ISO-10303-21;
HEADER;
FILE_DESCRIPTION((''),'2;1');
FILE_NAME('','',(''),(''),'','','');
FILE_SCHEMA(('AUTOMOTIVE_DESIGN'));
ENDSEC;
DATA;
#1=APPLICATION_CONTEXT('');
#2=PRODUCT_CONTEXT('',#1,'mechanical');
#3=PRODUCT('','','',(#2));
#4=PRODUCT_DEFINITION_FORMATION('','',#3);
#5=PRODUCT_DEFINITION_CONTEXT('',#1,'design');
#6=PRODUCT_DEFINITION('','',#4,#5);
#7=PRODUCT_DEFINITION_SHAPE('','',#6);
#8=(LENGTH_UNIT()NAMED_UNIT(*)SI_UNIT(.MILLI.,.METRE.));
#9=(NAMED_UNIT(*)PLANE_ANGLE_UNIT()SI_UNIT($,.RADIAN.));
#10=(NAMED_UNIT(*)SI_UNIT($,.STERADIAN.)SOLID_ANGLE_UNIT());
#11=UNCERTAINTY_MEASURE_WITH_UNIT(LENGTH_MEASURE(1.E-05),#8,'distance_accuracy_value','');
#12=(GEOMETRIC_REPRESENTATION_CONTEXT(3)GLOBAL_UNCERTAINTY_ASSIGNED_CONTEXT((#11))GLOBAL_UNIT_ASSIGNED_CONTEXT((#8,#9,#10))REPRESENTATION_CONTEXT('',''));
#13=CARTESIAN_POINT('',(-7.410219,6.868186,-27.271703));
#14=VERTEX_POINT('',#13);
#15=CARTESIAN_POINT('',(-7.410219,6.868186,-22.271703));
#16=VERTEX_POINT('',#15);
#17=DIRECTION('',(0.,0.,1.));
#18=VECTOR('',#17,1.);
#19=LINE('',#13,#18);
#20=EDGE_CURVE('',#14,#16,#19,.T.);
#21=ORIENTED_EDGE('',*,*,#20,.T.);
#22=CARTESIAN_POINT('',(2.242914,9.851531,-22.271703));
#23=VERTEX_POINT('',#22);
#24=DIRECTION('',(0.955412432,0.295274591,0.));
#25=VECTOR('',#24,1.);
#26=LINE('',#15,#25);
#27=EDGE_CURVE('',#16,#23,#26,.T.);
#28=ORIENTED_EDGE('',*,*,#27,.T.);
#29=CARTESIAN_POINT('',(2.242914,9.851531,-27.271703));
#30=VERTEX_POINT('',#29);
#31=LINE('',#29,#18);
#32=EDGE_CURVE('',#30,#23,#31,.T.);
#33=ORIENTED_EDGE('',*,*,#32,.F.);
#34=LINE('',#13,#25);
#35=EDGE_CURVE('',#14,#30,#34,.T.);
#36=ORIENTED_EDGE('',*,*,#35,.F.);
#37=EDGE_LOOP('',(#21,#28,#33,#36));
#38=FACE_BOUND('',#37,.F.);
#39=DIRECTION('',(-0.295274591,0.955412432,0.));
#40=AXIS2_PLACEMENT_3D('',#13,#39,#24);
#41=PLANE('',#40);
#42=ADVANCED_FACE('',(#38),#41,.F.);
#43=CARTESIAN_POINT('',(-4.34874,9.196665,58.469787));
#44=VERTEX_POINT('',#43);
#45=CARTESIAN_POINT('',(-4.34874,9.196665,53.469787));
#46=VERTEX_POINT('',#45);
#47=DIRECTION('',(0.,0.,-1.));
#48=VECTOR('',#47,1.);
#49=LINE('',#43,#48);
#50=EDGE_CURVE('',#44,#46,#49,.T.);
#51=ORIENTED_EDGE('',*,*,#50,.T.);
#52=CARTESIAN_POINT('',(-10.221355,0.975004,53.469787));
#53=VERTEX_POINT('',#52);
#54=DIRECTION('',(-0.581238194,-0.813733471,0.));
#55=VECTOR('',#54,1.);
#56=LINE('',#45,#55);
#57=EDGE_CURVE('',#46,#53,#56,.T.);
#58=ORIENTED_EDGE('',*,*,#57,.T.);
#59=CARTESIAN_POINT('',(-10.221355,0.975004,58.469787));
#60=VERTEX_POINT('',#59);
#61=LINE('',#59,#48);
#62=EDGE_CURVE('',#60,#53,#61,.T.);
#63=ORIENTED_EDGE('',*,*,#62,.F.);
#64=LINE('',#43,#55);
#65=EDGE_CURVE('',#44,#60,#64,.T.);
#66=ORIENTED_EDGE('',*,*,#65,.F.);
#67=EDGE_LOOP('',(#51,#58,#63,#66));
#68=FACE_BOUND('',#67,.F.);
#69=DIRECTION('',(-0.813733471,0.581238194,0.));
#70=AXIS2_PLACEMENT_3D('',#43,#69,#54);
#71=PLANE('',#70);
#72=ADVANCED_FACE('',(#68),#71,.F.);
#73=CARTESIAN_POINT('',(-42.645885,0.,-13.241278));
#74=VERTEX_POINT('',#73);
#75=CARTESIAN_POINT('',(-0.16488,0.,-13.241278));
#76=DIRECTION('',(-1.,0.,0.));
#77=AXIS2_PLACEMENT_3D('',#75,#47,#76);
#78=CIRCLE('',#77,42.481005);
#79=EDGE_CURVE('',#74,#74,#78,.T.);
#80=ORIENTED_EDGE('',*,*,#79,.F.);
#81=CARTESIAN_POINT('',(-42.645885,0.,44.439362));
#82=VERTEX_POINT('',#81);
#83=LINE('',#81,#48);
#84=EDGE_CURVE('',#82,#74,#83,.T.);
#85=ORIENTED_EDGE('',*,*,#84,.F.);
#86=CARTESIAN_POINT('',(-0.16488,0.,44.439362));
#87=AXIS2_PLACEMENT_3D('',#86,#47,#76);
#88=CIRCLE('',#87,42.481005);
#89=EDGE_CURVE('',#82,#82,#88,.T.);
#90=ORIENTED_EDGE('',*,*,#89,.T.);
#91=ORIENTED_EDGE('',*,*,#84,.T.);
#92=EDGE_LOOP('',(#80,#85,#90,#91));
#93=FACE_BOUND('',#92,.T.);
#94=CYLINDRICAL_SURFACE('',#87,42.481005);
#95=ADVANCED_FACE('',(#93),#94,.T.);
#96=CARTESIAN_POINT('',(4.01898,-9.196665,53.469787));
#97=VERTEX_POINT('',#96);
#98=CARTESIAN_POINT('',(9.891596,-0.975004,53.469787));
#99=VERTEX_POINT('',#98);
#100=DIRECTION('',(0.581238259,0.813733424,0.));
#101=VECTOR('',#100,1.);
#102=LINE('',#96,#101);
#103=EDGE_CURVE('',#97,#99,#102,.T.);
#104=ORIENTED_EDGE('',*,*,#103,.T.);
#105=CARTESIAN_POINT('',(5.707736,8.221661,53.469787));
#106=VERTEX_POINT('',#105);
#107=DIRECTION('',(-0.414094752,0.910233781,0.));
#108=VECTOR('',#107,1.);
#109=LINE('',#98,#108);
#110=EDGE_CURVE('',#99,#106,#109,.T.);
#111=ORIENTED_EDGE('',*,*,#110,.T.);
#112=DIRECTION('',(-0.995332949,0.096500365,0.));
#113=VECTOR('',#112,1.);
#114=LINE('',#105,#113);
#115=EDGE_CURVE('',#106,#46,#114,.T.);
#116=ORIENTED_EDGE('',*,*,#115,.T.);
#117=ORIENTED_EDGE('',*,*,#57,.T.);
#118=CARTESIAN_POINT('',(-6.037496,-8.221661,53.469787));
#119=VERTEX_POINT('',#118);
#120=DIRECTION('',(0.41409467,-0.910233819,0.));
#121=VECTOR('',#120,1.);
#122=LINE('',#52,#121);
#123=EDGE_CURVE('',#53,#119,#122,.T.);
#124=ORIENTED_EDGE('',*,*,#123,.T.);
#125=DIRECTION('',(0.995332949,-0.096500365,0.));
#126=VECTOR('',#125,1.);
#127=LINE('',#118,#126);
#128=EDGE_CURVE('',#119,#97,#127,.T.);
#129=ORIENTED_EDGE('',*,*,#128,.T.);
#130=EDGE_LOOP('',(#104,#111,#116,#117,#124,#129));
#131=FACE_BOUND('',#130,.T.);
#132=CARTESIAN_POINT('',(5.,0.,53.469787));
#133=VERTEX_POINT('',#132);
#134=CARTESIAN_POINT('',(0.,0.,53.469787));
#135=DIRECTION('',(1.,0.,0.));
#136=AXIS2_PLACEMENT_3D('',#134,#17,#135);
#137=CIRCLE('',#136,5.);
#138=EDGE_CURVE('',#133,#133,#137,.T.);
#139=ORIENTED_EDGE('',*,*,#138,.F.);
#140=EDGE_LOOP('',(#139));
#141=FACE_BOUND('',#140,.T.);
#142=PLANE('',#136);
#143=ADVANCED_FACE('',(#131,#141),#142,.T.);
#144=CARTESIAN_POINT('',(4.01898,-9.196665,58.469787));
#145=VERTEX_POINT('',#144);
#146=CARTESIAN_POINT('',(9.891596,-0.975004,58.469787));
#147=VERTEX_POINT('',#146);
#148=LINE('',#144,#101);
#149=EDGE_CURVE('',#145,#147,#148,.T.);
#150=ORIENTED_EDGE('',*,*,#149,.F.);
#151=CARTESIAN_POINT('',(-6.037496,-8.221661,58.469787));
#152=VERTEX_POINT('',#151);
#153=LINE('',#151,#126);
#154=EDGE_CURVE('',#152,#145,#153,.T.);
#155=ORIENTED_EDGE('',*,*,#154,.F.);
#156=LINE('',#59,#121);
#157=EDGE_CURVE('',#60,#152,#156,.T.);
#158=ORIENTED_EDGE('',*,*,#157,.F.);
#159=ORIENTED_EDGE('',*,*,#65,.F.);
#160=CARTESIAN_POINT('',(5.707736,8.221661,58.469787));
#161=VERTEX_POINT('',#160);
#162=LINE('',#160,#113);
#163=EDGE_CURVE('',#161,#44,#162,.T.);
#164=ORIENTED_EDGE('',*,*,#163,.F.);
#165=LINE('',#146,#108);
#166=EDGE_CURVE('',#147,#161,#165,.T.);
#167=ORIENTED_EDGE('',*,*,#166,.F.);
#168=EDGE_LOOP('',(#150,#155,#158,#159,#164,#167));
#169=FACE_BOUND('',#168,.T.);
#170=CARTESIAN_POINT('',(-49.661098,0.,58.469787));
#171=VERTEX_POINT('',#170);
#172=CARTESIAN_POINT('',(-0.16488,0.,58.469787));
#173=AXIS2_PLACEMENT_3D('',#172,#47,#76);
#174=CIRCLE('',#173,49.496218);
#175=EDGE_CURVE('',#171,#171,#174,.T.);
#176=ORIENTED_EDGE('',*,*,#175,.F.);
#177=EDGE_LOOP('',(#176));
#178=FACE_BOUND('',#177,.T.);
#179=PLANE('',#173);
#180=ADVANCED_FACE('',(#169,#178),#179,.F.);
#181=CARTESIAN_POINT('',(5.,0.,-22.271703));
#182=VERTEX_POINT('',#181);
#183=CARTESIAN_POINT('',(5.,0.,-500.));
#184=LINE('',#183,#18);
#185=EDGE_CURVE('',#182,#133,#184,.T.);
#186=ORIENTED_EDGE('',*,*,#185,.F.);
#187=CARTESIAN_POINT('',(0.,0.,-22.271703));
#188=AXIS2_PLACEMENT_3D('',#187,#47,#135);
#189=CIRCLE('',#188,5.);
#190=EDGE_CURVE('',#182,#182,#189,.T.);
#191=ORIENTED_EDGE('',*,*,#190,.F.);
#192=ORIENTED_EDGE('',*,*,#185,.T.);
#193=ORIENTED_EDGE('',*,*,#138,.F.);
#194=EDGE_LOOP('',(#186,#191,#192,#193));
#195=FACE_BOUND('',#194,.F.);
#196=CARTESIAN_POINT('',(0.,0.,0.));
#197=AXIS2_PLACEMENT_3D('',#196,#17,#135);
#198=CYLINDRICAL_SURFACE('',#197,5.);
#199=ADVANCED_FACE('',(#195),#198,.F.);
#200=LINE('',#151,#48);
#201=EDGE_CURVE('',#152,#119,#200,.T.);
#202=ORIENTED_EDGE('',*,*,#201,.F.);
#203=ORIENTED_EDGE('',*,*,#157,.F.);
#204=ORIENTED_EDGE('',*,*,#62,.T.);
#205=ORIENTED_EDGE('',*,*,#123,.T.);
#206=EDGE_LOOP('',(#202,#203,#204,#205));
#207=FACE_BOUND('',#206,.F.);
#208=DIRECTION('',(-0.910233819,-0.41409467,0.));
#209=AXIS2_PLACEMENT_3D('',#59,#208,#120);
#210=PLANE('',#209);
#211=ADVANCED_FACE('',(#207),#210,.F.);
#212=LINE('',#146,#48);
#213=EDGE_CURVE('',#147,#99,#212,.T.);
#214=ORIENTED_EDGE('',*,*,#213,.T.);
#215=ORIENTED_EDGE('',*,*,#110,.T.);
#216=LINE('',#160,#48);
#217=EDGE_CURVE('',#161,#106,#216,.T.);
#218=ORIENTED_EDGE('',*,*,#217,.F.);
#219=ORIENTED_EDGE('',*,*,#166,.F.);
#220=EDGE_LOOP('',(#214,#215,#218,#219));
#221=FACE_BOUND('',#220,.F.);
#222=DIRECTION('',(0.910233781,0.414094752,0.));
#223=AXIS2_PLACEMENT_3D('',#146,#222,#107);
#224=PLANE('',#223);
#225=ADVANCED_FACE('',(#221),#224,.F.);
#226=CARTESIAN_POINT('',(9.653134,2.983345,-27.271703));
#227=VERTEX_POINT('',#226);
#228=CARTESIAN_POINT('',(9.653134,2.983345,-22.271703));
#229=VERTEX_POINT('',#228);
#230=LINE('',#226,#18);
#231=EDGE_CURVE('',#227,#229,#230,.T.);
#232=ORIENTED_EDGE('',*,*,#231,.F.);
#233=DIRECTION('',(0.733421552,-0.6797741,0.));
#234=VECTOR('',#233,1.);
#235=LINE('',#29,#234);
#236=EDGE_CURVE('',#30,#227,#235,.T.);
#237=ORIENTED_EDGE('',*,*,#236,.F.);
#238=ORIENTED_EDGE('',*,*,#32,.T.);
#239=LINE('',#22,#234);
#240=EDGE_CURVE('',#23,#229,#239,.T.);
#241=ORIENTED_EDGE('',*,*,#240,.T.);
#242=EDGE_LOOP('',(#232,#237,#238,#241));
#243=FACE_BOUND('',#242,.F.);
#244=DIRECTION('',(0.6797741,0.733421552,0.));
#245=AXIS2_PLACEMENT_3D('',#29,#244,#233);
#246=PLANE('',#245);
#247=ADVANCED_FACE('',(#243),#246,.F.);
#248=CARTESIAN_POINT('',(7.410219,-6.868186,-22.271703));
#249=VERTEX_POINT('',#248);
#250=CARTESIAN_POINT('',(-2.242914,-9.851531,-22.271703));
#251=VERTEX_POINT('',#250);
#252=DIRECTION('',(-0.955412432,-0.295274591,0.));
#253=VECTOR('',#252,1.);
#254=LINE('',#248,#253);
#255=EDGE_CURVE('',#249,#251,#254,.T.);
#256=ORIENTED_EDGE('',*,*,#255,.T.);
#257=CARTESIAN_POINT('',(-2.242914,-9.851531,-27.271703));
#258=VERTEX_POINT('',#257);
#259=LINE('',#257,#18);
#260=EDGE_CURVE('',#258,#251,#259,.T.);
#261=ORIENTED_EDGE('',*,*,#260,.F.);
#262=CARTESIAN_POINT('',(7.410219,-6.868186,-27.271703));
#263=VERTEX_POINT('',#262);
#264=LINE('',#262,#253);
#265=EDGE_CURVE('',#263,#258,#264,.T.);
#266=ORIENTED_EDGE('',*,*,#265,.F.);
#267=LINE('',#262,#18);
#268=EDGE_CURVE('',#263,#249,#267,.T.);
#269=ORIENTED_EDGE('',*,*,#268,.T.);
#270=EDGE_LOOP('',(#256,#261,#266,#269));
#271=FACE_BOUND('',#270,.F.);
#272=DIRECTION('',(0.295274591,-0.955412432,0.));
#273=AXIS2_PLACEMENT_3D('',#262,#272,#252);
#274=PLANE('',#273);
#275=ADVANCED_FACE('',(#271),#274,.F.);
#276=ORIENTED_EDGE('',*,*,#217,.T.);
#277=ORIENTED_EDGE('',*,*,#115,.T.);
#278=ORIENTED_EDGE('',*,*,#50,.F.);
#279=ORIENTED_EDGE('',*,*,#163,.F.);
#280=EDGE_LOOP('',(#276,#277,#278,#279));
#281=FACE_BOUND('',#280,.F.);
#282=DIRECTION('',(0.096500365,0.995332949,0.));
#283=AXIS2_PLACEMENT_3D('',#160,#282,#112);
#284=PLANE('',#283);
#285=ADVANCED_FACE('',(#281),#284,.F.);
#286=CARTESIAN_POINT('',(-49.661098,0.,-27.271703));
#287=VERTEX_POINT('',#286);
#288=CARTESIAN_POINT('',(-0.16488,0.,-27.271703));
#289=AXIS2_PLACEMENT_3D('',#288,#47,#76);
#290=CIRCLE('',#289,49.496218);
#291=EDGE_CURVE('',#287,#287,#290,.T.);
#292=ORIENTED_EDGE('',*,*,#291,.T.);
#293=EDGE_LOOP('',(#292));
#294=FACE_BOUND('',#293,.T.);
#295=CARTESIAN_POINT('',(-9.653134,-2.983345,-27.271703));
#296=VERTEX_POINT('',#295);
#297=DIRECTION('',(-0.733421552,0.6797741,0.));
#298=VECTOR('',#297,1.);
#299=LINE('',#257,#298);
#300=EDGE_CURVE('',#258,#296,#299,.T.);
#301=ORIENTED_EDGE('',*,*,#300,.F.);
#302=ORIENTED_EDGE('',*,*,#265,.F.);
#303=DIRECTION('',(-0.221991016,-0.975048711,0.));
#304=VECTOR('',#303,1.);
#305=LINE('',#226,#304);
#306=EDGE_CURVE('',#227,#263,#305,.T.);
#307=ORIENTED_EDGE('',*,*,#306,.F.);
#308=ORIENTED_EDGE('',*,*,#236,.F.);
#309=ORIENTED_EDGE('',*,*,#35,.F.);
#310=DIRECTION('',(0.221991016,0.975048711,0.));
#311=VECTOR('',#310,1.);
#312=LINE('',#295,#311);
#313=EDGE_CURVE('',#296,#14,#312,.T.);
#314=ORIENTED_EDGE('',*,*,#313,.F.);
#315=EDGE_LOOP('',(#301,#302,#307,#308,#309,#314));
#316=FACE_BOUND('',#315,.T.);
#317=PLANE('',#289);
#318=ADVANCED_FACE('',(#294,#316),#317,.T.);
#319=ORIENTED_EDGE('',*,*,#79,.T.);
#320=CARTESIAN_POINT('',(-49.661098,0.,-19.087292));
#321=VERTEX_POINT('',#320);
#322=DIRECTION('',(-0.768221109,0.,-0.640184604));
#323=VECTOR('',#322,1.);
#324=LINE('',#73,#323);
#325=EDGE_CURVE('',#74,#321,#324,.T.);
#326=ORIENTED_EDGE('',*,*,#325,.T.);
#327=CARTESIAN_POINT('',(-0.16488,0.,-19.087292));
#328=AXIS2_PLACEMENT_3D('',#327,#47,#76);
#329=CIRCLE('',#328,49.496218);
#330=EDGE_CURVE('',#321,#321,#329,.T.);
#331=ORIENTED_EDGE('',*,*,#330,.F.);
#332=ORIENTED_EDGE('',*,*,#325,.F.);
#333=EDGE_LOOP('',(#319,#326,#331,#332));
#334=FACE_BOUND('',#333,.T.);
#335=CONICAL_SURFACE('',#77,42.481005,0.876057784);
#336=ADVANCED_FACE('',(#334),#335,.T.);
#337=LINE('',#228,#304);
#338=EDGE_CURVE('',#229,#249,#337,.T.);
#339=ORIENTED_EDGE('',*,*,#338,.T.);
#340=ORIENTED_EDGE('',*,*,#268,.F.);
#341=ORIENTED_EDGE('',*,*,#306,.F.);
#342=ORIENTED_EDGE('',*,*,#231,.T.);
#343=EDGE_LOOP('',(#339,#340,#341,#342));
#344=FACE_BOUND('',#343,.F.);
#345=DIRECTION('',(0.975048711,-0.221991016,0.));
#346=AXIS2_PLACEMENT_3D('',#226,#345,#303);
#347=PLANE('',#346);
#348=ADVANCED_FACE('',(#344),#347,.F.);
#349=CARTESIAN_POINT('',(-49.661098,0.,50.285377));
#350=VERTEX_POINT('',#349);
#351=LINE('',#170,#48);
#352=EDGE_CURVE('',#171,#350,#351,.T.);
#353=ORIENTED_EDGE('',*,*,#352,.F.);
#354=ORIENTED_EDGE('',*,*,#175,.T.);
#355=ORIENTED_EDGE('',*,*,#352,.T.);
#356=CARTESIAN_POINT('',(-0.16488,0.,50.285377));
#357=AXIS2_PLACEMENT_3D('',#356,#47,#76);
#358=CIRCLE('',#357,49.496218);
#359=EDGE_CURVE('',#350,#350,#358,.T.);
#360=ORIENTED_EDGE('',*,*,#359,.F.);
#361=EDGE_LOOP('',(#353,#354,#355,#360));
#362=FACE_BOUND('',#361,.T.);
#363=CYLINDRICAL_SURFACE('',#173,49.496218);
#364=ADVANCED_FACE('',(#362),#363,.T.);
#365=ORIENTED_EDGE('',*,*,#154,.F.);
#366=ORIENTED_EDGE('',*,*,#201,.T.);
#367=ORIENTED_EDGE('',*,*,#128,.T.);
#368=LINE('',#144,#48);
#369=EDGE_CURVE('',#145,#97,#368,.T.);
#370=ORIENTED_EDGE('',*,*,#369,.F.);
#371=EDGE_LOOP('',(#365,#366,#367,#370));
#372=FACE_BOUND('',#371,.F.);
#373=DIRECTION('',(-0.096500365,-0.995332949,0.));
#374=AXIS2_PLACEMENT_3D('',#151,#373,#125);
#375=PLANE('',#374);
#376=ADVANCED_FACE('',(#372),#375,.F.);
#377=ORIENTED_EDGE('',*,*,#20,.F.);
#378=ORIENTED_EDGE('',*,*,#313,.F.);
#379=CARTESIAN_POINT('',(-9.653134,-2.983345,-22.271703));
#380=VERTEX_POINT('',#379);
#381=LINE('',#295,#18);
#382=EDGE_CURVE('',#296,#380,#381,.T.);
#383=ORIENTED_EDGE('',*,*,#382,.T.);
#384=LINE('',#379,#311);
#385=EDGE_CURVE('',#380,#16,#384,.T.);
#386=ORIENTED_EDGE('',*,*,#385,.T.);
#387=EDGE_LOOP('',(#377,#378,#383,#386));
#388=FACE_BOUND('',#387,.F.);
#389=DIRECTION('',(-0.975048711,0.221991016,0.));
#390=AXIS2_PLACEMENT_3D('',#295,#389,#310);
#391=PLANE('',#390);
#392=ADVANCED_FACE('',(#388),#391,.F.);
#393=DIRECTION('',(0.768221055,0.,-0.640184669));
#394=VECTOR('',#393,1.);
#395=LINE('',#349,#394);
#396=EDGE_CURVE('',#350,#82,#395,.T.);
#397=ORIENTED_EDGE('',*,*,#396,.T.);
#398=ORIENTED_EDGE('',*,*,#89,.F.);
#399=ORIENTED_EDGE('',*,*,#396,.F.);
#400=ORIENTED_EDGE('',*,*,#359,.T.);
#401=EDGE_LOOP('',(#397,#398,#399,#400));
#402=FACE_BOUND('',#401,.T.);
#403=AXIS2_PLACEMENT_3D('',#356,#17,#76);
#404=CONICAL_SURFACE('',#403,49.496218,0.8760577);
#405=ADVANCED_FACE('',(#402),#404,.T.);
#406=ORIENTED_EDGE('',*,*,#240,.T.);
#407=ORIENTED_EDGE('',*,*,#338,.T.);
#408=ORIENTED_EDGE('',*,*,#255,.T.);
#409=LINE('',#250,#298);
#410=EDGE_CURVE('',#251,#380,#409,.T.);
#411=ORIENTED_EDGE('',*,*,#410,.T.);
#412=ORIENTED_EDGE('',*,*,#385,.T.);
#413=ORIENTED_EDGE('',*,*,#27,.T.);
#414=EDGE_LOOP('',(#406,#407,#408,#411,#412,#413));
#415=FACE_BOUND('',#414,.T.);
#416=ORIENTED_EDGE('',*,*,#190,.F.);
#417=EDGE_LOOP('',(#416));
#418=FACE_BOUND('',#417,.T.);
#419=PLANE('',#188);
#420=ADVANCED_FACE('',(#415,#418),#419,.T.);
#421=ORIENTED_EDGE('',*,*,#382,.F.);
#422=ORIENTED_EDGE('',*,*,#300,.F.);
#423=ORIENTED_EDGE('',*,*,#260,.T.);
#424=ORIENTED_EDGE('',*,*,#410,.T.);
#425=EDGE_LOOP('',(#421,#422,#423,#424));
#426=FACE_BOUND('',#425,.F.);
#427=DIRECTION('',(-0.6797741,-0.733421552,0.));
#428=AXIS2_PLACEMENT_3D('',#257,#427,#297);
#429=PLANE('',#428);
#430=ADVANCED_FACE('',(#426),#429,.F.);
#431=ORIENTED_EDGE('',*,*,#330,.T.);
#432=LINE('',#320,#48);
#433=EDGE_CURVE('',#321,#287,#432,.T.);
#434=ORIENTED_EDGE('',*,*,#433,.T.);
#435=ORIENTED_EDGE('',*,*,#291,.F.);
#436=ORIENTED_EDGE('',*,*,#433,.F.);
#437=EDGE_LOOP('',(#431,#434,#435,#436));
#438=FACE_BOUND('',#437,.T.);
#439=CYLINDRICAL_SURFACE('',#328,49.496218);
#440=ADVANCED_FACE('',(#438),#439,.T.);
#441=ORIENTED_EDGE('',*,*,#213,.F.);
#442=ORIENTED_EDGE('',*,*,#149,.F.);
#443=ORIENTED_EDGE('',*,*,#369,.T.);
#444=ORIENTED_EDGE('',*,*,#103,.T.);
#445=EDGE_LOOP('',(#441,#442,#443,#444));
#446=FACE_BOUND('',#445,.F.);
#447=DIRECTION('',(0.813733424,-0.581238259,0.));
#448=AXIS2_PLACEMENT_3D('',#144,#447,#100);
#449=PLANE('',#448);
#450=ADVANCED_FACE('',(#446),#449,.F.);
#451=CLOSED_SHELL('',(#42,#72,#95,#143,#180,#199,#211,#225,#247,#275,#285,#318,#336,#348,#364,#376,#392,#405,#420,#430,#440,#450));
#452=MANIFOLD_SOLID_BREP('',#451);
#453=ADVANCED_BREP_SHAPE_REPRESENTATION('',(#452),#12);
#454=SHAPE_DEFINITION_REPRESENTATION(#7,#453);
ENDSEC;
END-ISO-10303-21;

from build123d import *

# Parameters (mm, degrees)
F2_R     = 5
F3_DEPTH = 500
F4_R     = 5
F5_DEPTH = 5
F6_R     = 5
F7_DEPTH = 5


with BuildPart() as f1:
    # F0 (on Front) → F1 (revolve)
    with BuildSketch(Plane.XZ):
        Polygon((-0.16488, 15.599042), (-0.16488, 58.469787), (-49.661098, 58.469787), (-49.661098, 50.285377), (-42.645885, 44.439362), (-42.645885, 15.599042), (-42.645885, -13.241278), (-49.661098, -19.087292), (-49.661098, -27.271703), (-0.16488, -27.271703), align=None)
    revolve(axis=Axis((-0.16488, 0, 15.599042), (0, 0, -1)))

    # F2 (on Top) → F3 (cut, symmetric)
    with BuildSketch(Plane.XY):
        Circle(F2_R)
    extrude(amount=F3_DEPTH, both=True, mode=Mode.SUBTRACT)

    # F4 (on face) → F5 (cut)
    with BuildSketch(Plane.XY.offset(58.469787)):
        Circle(F4_R)
        Polygon((-4.34874, 9.196665), (-10.221355, 0.975004), (-6.037496, -8.221661), (4.01898, -9.196665), (9.891596, -0.975004), (5.707736, 8.221661), align=None)
        Circle(F4_R, mode=Mode.SUBTRACT)
    extrude(amount=-F5_DEPTH, mode=Mode.SUBTRACT)

    # F6 (on face) → F7 (cut)
    with BuildSketch(Plane(origin=(0, 0, -27.271703), x_dir=(1, 0, 0), z_dir=(0, 0, -1))):
        Polygon((2.242914, -9.851531), (9.653134, -2.983345), (7.410219, 6.868186), (-2.242914, 9.851531), (-9.653134, 2.983345), (-7.410219, -6.868186), align=None)
        Circle(F6_R, mode=Mode.SUBTRACT)
    extrude(amount=-F7_DEPTH, mode=Mode.SUBTRACT)


solid = f1.part
